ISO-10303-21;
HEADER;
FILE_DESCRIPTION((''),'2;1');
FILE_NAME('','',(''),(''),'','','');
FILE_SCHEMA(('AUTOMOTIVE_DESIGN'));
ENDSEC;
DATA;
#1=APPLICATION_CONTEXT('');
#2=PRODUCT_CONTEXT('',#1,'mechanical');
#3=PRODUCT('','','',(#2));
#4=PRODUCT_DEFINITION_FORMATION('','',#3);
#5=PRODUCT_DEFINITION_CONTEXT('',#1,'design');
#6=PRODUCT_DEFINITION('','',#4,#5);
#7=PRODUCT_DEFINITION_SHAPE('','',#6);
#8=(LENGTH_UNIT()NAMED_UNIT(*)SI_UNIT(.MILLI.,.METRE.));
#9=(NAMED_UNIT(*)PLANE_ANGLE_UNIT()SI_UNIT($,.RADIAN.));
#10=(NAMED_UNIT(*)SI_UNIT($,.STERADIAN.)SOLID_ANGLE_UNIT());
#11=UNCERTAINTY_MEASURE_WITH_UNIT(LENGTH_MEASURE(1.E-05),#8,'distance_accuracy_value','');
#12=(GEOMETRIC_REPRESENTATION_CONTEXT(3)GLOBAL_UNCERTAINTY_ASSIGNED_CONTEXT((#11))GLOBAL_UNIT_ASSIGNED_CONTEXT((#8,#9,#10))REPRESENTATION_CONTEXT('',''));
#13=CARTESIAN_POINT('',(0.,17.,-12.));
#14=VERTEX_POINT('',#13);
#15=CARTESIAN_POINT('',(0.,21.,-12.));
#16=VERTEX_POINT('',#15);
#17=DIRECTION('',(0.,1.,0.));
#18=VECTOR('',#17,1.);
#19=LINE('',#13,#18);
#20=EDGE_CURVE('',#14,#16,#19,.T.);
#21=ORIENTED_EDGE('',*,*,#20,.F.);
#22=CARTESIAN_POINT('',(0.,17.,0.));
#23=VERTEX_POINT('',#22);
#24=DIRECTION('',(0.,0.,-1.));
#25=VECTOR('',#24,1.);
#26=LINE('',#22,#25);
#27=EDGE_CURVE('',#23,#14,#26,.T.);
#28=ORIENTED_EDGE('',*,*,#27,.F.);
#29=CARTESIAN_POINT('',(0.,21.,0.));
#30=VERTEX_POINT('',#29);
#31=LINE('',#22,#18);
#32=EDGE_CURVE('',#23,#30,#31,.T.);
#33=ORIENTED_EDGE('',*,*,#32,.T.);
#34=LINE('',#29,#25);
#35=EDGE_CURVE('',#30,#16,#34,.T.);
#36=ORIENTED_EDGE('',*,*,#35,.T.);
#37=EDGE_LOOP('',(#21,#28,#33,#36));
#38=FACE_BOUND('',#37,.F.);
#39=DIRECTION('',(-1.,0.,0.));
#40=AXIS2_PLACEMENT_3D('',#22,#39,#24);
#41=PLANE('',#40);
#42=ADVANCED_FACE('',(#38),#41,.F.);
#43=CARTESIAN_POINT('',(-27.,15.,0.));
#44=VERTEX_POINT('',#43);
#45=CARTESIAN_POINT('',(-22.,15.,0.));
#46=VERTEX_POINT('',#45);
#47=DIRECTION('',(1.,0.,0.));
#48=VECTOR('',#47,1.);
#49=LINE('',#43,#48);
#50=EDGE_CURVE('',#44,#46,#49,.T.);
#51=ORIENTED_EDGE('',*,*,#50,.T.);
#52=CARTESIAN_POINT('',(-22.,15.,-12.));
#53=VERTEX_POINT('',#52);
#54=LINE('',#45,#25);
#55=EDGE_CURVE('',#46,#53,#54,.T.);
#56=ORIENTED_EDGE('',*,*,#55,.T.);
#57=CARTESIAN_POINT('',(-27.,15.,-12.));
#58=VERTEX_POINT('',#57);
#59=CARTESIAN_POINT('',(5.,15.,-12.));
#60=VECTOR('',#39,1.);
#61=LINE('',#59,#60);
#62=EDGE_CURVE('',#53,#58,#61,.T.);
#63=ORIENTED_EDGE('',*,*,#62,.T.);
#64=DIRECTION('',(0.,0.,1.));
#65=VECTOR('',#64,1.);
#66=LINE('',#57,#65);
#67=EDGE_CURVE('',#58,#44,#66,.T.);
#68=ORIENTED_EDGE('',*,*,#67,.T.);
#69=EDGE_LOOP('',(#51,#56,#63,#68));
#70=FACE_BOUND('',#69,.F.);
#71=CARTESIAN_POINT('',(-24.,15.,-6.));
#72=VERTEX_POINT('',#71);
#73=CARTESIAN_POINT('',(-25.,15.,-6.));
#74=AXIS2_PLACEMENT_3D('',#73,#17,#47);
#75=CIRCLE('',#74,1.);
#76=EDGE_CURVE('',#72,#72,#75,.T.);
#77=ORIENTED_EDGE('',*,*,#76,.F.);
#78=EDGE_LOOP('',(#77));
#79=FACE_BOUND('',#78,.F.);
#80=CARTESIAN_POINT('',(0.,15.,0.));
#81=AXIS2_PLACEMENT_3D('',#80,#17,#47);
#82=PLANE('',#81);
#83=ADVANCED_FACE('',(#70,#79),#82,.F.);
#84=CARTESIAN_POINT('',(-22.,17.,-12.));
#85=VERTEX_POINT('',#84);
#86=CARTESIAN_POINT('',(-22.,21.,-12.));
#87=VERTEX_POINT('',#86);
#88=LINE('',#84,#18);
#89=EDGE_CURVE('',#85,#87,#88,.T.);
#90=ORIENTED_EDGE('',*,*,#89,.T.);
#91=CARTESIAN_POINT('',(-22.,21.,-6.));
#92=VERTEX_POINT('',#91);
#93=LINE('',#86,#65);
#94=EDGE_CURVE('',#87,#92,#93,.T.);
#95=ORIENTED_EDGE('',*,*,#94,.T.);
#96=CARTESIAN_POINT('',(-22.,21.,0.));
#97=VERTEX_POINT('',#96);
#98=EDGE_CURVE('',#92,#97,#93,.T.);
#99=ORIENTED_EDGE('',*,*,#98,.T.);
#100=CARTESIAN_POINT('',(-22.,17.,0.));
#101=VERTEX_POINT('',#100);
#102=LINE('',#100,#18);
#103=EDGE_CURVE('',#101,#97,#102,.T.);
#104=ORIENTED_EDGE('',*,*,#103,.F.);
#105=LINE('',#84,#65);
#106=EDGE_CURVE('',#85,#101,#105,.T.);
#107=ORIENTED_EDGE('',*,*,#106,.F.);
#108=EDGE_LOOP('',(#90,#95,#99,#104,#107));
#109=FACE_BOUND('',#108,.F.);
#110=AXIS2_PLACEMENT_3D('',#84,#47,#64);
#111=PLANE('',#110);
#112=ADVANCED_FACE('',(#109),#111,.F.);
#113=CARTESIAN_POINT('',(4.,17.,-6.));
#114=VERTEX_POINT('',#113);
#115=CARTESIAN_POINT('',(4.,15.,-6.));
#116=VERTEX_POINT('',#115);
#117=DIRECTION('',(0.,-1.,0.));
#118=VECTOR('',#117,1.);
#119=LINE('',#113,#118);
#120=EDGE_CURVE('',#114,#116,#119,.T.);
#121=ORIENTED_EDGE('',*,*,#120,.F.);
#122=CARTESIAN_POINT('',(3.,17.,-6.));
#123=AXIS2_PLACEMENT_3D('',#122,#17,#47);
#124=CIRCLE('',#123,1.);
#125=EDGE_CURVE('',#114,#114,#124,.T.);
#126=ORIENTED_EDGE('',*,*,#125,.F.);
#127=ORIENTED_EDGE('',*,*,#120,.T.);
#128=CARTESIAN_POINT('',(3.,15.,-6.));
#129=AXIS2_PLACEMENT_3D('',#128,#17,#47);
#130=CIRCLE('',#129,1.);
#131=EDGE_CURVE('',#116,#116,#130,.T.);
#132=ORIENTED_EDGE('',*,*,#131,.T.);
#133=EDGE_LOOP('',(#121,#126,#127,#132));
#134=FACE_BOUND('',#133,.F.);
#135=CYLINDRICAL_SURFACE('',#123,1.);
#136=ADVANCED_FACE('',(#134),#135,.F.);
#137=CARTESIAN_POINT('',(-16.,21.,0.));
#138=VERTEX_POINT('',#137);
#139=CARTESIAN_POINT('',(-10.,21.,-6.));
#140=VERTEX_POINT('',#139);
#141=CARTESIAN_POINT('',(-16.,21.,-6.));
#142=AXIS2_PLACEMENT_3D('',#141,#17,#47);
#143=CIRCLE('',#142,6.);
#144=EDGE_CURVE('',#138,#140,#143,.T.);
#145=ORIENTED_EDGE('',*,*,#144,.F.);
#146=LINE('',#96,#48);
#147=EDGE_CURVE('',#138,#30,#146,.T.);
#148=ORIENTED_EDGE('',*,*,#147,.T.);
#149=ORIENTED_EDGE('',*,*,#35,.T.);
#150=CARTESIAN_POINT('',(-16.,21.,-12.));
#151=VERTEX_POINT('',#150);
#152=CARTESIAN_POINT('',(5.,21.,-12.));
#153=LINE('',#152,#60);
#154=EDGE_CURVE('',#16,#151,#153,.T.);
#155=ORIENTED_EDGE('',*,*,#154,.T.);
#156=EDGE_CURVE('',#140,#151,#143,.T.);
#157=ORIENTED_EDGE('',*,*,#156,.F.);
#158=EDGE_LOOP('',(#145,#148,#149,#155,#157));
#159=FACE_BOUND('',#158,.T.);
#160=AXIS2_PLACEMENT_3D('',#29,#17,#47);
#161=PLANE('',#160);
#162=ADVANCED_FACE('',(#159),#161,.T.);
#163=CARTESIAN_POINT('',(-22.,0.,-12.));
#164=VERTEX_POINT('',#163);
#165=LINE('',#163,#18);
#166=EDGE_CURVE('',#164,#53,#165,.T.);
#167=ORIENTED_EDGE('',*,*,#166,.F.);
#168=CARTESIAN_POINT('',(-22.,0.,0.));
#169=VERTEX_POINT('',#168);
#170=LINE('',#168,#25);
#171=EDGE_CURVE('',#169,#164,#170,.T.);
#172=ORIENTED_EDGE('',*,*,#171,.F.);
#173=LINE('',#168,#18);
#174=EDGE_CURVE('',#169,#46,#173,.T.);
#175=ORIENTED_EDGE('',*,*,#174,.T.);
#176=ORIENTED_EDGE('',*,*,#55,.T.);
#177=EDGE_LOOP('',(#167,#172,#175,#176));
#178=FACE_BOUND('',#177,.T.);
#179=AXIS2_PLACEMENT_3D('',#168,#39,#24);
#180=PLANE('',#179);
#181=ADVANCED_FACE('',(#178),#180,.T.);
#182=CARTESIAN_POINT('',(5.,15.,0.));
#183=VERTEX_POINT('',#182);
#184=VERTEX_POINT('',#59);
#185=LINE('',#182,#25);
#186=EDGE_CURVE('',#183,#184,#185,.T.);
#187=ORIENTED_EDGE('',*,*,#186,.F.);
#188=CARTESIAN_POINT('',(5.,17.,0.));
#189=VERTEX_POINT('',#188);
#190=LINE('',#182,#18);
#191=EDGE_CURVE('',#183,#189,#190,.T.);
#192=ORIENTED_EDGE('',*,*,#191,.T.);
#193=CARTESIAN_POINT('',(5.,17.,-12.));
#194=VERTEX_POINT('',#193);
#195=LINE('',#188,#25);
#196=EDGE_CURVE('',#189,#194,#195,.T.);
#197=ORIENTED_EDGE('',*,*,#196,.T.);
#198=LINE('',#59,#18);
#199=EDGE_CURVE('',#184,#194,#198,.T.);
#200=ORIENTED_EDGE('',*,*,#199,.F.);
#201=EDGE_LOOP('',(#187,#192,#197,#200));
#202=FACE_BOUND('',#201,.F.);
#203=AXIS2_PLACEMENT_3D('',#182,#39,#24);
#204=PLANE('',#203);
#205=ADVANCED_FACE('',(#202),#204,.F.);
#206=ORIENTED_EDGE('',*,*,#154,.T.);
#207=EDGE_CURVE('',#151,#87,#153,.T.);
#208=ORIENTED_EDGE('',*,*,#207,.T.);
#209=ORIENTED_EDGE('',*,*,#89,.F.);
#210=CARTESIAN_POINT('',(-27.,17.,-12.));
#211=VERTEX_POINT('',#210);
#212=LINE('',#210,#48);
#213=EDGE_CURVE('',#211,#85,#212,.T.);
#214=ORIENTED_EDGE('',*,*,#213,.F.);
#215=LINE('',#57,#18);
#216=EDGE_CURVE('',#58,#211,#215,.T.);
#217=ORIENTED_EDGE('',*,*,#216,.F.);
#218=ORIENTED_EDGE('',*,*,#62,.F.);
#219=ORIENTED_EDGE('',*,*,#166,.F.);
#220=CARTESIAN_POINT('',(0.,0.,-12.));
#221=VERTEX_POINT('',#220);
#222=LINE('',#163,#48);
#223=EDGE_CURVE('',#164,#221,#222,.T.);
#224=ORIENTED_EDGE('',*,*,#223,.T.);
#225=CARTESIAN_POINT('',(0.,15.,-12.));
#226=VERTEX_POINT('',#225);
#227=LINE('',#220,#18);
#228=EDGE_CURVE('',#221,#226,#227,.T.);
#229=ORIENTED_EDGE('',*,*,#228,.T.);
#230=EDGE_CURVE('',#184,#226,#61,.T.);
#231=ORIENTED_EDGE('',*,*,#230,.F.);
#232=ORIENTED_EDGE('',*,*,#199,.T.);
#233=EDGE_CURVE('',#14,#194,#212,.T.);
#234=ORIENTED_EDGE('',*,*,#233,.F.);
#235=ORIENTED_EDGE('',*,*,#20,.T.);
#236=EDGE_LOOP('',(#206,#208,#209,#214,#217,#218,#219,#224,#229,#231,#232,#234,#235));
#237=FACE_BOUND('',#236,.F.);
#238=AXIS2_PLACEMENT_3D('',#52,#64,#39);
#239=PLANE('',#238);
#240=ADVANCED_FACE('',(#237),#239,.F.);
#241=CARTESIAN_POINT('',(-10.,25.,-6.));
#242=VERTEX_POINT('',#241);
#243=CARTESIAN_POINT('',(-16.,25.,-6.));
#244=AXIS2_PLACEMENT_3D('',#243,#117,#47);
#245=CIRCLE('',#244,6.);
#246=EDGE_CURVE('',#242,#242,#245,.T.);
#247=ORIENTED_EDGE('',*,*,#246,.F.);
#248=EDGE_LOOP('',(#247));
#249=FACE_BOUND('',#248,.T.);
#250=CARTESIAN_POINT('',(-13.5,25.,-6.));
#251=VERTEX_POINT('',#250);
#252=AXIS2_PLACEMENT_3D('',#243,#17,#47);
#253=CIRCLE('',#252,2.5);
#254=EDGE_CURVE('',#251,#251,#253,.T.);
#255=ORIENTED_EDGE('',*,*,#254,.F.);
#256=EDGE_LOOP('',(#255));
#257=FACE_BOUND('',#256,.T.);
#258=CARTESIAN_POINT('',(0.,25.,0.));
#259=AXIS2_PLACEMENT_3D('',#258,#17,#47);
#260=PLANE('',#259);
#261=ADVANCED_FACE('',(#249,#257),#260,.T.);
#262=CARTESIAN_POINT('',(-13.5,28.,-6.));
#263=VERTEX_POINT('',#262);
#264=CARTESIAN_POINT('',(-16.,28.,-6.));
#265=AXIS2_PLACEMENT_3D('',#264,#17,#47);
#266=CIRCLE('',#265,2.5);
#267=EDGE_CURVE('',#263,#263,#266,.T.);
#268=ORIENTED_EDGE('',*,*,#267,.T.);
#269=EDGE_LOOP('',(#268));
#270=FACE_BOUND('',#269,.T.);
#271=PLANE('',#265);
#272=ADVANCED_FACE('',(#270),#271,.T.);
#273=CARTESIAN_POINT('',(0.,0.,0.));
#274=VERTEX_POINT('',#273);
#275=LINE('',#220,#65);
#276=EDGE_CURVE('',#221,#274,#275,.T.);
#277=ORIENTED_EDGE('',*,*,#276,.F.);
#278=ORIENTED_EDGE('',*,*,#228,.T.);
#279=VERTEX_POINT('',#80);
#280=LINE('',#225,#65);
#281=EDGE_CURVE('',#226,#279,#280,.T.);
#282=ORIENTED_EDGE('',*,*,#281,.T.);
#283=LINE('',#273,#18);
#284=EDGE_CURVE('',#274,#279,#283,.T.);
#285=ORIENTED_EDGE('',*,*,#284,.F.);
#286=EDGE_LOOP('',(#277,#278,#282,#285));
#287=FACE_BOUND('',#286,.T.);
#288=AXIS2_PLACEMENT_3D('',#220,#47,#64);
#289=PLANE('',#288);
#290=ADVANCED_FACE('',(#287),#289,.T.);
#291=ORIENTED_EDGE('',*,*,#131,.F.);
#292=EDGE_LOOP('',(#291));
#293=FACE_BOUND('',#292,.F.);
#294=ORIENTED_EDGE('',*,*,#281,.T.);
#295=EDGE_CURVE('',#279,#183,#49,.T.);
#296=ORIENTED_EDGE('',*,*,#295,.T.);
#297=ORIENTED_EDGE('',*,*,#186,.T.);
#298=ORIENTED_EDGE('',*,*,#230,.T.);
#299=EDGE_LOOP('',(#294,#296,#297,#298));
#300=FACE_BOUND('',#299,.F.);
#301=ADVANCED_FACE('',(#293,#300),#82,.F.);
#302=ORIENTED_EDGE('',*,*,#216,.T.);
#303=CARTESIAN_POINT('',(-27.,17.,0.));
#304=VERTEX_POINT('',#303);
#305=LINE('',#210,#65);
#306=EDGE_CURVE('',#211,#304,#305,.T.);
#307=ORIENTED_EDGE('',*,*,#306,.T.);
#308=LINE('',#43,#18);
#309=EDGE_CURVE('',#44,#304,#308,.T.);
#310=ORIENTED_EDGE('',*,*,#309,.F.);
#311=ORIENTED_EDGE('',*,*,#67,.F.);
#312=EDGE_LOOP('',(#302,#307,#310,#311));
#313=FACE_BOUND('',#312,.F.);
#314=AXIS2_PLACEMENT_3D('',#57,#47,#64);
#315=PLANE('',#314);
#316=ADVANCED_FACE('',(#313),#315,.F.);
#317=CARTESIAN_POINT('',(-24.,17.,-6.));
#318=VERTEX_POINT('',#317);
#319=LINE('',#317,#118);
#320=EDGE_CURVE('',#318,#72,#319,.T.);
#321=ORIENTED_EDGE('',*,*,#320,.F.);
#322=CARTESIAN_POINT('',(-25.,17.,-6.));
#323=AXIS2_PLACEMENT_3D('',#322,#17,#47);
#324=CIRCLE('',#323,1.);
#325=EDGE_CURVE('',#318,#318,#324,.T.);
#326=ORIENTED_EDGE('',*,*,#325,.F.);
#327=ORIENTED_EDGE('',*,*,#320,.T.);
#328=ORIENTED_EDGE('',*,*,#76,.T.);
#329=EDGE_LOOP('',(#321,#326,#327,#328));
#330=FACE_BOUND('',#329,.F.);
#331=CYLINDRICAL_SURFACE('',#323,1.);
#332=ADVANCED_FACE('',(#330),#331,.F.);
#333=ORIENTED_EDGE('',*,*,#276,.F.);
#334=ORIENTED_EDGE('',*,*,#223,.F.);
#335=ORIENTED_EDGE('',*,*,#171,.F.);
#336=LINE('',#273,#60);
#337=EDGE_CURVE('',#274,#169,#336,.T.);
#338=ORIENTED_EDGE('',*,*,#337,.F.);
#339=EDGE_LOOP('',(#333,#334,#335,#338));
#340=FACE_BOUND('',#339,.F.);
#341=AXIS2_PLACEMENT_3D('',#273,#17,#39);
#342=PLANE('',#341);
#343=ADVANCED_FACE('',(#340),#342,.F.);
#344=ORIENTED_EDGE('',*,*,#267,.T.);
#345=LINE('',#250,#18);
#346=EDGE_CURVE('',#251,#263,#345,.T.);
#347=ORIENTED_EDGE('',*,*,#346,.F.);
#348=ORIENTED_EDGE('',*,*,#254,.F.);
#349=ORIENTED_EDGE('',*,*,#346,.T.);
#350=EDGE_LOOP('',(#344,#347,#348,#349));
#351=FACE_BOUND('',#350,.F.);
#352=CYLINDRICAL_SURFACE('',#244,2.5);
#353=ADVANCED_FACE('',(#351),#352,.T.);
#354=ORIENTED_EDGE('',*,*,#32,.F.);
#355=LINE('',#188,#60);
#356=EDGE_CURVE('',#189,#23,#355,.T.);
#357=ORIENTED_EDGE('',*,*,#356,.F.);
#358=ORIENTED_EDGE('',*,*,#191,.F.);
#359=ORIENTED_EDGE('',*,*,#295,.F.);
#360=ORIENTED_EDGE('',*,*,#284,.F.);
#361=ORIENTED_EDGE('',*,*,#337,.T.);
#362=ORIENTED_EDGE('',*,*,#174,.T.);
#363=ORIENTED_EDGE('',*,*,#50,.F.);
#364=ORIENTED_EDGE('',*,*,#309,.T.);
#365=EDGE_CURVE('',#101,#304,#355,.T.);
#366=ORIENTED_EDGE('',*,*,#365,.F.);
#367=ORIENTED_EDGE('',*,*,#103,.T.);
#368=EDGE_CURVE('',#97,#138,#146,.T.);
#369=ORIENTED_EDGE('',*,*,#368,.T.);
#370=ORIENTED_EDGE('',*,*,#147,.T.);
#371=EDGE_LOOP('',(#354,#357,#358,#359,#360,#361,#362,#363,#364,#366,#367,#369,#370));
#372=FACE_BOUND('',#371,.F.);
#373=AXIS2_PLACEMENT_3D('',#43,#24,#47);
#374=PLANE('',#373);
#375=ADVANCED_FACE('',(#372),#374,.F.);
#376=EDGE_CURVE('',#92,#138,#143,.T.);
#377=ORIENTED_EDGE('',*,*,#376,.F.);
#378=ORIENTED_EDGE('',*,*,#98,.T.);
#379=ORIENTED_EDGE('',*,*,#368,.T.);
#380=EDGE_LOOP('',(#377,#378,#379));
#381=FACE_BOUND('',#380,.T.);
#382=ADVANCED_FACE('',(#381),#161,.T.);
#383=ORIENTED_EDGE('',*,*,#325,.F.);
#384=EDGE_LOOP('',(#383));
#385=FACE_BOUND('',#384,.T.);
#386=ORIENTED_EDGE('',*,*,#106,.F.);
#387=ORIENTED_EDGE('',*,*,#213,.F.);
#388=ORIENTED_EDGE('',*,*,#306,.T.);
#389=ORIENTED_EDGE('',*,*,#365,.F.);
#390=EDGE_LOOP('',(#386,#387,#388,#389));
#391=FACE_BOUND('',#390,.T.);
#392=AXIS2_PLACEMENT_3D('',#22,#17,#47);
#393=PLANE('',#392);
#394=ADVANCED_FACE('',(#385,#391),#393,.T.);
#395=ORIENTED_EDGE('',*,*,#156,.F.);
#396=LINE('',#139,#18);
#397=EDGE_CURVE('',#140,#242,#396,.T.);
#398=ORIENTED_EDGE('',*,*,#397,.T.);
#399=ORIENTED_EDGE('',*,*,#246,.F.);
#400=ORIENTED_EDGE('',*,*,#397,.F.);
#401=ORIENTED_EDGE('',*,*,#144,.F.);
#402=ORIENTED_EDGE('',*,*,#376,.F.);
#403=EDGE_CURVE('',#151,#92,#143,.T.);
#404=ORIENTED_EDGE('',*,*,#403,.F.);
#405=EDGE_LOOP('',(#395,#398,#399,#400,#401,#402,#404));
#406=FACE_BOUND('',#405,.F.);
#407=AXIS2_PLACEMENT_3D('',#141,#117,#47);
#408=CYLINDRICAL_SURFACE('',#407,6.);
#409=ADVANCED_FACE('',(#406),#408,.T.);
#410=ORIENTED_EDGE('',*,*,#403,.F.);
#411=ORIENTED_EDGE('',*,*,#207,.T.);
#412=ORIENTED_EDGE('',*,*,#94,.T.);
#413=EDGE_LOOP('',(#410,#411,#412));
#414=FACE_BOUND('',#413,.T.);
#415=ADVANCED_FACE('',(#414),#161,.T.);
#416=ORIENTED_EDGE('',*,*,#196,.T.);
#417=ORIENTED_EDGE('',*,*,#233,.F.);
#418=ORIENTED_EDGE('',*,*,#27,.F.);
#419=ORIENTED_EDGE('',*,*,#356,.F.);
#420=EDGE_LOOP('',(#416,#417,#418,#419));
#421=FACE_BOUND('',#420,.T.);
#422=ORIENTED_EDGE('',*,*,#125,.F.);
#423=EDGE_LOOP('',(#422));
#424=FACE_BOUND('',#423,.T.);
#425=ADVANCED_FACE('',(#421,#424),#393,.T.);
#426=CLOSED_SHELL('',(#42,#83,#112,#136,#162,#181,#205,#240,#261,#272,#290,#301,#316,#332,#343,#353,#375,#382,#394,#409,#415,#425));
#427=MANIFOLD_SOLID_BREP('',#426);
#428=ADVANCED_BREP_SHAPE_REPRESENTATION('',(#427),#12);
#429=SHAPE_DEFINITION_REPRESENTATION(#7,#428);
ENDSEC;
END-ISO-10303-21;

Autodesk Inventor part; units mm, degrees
ref_plane "YZ Plane" through (0, 0, 0) normal (1, 0, 0) x (0, 1, 0)
ref_plane "XZ Plane" through (0, 0, 0) normal (0, 1, 0) x (-1, 0, 0)
ref_plane "XY Plane" through (0, 0, 0) normal (0, 0, 1) x (1, 0, 0)
sketch "Sketch1" plane through (0, 0, 0) normal (0, 1, 0) x (-1, 0, 0)
  line L0 (0, 0) -> (22, 0)
  line L1 (22, 0) -> (22, -12)
  line L2 (22, -12) -> (0, -12)
  line L3 (0, -12) -> (0, 0)
  dimension "d0" = 22
  dimension "d1" = 12
extrude "Extrusion1" add sketch "Sketch1" along normal blind 15
sketch "Sketch2" plane through (0, 15, 0) normal (0, 1, 0) x (1, 0, 0)
  line L0 (-27, 0) -> (5, 0)
  line L1 (5, 0) -> (5, 12)
  line L2 (5, 12) -> (-27, 12)
  line L3 (-27, 12) -> (-27, 0)
  line L4 (-22, 12) -> (-22, 0) projected
  line L5 (0, 0) -> (0, 12) projected
  point P0 (-22, 6)
  dimension "d4" = 5
  dimension "d5" = 5
extrude "Extrusion2" add sketch "Sketch2" along normal blind 2
sketch "Sketch3" plane through (0, 17, 0) normal (0, 1, 0) x (1, 0, 0)
  line L0 (-22, 0) -> (0, 0) projected
  line L1 (5, 12) -> (-27, 12) projected
  line L2 (-22, 0) -> (0, 0)
  line L3 (0, 0) -> (0, 12)
  line L4 (0, 12) -> (-22, 12)
  line L5 (-22, 12) -> (-22, 0)
  line L6 (0, 0) -> (0, 12) projected
extrude "Extrusion3" add sketch "Sketch3" along normal blind 4
sketch "Sketch4" plane through (0, 21, 0) normal (0, 1, 0) x (1, 0, 0)
  circle A0 centre (-16, 6) radius 6
  line L0 (-22, 12) -> (-22, 0) projected
  line L1 (0, 12) -> (-22, 12) projected
  point P0 (0, 0)
  dimension "d10" = 12
extrude "Extrusion4" add sketch "Sketch4" along normal blind 4 contours A0
sketch "Sketch5" plane through (-16, 25, -6) normal (0, 1, 0) x (1, 0, 0)
  circle A0 centre (0, 0) radius 2.5
  circle A1 centre (0, 0) radius 6 projected
  point P0 (16, -6)
  dimension "d13" = 5
extrude "Extrusion5" add sketch "Sketch5" along normal blind 3 contours A0
sketch "Sketch6" plane through (0, 17, 0) normal (0, 1, 0) x (1, 0, 0)
  circle A0 centre (3, 6) radius 1
  circle A1 centre (-25, 6) radius 1
  line L0 (-27, 0) -> (-22, 0) projected
  line L1 (0, 0) -> (5, 0) projected
  line L2 (-27, 12) -> (-27, 0) projected
  point P0 (-24.5, 0)
  point P1 (2.5, 0)
  dimension "d16" = 2
  dimension "d17" = 2
  dimension "d18" = 6
  dimension "d19" = 6
  dimension "d20" = 28
  dimension "d21" = 2
extrude "Extrusion6" cut sketch "Sketch6" against normal through all
properties part number "SG-90-Servo"
